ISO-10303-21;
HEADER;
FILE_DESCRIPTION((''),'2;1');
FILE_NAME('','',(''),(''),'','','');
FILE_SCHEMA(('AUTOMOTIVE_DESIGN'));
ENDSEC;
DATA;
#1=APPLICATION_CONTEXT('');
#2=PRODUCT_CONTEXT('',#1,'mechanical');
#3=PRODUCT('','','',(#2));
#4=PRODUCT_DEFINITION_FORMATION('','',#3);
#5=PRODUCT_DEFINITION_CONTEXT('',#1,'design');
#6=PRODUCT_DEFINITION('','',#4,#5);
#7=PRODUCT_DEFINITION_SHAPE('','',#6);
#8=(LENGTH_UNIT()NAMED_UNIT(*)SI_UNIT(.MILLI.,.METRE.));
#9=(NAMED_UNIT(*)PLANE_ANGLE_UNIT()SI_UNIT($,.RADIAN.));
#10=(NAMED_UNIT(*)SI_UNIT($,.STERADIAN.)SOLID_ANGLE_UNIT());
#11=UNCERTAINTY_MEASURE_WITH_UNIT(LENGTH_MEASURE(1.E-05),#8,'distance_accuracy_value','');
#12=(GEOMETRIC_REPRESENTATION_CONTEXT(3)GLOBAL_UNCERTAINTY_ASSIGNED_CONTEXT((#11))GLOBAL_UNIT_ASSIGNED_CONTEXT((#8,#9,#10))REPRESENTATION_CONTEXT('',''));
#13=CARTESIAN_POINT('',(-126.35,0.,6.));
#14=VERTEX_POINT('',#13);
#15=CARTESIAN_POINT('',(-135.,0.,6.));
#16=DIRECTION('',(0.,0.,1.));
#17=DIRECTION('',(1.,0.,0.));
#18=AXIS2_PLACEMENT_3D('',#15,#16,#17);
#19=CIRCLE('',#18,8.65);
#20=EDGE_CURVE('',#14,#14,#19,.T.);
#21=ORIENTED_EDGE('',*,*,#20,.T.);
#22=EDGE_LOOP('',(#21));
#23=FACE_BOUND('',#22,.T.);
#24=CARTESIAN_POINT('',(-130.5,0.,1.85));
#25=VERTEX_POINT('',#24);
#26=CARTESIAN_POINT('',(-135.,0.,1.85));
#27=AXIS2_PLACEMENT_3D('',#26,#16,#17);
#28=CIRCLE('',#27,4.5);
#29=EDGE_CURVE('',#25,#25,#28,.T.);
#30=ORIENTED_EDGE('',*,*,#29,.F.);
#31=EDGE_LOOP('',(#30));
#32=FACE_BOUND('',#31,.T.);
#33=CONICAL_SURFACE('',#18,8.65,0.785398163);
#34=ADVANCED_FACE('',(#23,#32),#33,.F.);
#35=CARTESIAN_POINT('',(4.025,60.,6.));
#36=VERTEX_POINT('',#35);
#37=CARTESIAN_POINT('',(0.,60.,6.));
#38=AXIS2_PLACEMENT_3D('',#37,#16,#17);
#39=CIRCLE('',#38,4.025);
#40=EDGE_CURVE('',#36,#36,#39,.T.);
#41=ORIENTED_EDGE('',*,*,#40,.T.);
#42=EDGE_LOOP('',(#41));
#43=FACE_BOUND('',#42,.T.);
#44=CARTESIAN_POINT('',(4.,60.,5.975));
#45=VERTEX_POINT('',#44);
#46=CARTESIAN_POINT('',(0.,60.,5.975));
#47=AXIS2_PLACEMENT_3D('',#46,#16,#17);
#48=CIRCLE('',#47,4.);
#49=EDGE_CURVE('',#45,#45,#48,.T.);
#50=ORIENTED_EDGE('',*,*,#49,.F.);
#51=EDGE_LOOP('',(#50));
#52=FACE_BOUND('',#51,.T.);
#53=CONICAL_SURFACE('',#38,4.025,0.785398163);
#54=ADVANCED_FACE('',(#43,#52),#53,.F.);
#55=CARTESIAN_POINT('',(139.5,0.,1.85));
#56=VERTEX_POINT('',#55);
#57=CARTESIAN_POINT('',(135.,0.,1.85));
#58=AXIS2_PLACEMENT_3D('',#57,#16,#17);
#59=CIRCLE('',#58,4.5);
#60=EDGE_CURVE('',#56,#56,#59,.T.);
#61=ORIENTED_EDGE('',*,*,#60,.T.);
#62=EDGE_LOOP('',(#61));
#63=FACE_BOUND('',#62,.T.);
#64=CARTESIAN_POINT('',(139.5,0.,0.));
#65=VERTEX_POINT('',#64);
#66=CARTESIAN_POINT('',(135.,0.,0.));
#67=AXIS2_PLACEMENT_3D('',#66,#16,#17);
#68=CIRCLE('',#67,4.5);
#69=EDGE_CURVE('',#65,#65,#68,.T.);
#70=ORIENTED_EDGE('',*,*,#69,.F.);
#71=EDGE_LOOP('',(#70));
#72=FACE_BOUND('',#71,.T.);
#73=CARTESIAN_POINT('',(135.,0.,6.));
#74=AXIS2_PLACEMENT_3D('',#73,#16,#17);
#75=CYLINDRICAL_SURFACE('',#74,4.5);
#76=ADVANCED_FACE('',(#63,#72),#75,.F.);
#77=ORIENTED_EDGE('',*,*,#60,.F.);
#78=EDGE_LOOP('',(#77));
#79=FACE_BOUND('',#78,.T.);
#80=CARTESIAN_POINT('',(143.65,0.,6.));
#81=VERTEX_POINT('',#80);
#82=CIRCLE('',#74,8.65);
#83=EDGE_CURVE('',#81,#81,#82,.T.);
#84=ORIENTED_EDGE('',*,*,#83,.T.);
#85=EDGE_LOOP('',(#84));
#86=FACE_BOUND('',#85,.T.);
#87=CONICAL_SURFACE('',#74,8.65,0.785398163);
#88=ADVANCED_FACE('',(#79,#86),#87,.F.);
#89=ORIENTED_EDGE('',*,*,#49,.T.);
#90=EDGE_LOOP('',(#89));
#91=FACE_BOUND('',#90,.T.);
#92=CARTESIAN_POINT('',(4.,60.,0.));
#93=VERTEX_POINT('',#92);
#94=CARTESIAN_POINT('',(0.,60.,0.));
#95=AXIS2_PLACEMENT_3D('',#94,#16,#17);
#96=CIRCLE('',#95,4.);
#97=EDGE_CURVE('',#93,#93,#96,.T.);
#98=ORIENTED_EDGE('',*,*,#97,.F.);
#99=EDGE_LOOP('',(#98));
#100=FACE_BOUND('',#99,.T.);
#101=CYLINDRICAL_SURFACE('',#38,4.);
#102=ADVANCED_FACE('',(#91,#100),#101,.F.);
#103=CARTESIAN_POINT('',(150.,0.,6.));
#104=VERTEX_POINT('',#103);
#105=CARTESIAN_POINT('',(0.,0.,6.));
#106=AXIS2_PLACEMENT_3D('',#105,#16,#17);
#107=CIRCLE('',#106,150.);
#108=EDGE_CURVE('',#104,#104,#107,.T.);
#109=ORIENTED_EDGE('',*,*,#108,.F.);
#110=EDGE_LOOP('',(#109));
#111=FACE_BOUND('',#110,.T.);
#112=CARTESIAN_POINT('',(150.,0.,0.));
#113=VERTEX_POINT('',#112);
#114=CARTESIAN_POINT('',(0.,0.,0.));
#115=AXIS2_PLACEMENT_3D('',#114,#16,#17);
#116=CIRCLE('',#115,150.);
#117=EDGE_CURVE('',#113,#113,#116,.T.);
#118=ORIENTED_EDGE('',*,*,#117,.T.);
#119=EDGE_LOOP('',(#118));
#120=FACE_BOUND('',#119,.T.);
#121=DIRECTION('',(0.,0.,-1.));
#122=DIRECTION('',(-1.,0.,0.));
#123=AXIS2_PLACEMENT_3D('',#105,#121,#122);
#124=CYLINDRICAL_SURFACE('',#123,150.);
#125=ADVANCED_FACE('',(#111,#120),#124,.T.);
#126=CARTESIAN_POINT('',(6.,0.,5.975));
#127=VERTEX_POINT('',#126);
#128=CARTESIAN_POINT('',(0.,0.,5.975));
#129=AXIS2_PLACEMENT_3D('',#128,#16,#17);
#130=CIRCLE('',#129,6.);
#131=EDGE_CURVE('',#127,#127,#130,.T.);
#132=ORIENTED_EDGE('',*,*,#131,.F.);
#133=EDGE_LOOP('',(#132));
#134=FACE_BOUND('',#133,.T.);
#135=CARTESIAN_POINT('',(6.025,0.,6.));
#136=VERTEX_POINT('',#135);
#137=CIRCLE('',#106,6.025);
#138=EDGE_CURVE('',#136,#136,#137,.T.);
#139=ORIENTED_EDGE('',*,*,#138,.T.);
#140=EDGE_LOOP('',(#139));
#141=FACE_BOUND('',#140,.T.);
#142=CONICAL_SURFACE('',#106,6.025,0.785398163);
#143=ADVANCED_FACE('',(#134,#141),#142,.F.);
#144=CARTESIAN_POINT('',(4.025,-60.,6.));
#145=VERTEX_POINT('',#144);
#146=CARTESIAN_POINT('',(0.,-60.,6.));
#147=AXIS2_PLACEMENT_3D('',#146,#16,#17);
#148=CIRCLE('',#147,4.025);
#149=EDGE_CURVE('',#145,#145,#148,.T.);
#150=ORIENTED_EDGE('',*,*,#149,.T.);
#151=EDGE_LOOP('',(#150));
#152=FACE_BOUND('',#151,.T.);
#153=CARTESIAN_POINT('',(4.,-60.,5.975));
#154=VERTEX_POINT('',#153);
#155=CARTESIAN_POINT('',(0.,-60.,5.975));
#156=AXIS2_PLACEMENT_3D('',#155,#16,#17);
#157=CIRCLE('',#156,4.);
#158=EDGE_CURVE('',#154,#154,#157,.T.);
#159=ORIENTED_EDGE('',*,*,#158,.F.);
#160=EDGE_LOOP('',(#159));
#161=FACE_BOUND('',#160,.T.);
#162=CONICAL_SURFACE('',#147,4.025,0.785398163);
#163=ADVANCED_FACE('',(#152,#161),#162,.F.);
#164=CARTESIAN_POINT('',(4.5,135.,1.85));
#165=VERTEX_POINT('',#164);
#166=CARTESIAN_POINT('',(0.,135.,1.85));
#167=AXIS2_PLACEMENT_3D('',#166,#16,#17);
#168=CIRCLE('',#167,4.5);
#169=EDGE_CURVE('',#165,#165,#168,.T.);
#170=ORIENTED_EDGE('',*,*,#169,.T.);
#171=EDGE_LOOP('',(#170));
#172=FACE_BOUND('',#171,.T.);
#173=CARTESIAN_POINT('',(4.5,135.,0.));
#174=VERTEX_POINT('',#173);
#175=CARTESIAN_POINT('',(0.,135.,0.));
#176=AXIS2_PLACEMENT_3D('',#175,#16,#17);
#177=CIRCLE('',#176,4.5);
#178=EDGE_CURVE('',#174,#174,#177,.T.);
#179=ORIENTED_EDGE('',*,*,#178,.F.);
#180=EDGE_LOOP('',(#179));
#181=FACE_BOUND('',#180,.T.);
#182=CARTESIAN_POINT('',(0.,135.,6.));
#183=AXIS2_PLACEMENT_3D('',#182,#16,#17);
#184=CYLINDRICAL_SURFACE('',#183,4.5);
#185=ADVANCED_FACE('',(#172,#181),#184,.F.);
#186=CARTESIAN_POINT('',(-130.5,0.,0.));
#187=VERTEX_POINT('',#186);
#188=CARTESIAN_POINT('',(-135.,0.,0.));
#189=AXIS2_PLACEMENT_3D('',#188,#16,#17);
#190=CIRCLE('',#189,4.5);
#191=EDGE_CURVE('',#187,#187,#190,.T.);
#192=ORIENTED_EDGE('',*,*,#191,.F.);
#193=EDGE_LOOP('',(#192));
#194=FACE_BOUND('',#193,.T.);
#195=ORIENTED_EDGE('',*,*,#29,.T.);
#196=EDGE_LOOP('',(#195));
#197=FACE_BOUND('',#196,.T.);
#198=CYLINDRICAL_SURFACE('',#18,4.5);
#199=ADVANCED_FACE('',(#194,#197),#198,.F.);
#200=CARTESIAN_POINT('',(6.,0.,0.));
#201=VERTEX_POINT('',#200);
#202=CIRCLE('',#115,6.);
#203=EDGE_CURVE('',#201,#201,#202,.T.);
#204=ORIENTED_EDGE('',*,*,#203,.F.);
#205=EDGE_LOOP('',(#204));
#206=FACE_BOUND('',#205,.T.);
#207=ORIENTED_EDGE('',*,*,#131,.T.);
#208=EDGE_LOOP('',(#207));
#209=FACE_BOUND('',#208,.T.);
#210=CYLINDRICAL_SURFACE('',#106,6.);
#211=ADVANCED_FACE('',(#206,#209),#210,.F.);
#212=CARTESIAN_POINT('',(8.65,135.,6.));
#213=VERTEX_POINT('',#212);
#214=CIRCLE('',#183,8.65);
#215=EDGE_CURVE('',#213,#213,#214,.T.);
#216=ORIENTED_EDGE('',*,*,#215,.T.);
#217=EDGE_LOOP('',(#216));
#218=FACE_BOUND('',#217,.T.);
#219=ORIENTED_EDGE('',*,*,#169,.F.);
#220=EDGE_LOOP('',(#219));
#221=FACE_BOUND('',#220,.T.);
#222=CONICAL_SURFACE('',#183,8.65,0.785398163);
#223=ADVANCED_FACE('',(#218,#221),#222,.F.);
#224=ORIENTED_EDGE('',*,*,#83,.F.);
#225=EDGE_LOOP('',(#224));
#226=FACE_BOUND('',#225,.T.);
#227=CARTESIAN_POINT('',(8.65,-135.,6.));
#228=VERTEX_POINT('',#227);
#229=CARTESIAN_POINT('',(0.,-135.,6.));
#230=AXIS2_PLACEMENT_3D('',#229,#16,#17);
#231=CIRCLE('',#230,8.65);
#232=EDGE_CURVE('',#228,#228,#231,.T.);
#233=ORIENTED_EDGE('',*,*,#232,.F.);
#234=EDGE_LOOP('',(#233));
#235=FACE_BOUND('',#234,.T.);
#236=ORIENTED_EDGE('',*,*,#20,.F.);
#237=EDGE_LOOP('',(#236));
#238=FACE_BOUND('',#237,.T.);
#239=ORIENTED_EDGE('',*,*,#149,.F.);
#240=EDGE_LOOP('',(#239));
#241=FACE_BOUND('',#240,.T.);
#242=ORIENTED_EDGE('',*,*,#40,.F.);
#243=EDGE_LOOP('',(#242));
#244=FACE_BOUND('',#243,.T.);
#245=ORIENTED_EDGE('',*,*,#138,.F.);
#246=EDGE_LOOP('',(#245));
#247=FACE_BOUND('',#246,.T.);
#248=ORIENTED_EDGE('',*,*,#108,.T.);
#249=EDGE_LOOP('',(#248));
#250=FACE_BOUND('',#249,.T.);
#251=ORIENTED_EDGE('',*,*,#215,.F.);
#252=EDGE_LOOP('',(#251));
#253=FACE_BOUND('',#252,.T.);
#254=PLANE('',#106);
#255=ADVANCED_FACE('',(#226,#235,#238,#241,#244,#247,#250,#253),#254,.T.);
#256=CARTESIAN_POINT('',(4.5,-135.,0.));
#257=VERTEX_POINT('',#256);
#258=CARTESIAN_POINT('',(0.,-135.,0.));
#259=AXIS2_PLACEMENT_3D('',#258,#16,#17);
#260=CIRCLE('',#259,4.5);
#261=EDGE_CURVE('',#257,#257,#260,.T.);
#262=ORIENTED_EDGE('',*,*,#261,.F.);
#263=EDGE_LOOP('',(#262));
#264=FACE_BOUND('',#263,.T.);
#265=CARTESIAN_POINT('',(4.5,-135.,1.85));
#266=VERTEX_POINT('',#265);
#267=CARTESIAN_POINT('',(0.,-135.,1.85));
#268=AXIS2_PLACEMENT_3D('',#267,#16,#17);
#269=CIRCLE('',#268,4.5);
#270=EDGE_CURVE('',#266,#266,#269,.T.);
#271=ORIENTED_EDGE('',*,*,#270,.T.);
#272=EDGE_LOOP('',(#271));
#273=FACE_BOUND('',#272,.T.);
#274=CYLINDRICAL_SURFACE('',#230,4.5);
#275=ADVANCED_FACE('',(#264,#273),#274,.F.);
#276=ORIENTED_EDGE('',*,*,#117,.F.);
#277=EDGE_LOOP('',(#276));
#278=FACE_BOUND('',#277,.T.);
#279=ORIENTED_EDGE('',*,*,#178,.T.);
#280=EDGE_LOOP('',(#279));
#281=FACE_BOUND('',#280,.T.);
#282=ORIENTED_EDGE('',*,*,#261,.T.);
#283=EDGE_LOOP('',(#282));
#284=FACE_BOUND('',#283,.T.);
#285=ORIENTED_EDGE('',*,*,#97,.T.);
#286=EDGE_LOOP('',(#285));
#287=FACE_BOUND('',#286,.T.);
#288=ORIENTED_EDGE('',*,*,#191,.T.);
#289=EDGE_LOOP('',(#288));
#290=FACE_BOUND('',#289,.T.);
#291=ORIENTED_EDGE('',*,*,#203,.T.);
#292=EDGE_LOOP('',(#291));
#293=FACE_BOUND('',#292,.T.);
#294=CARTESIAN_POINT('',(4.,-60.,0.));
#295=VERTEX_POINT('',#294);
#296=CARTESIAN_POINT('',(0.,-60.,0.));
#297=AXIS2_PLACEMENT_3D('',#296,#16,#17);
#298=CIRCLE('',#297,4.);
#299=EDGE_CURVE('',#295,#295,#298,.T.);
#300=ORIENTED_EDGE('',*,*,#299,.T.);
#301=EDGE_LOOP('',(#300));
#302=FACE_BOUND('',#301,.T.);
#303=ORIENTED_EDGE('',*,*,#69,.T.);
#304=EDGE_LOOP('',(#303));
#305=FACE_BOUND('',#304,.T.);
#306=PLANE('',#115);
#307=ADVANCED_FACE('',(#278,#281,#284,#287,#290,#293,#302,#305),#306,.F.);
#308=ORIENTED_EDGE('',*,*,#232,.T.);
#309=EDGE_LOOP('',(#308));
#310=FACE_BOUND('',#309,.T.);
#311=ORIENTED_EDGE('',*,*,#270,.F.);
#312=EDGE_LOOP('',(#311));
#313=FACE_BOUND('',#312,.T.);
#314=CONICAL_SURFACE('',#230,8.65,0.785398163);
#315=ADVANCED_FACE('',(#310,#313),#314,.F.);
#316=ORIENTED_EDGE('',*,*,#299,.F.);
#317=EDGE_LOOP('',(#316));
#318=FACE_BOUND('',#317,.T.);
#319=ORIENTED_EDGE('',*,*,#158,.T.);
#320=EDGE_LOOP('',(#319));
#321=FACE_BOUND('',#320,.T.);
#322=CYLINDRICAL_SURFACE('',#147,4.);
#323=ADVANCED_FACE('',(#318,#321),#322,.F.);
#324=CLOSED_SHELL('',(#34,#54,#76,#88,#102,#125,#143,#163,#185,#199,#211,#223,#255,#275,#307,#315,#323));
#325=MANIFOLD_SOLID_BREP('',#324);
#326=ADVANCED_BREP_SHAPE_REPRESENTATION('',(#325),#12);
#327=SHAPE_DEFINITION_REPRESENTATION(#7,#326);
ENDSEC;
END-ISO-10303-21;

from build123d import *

# Parameters (mm, degrees)
SZKIC1_R                                    = 150
DODANIE_WYCI_GNI_CIE1_DEPTH                 = 6
OTWORY_USTALAJ_CE_8_0MM1_D                  = 8
OTWORY_USTALAJ_CE_8_0MM1_CSINK_D            = 8.05
OTWORY_USTALAJ_CE_8_0MM1_CSINK_ANGLE        = 90
POG_BIENIE_STO_KOWE_POD_M8_WKR_T_DO_2_COUNT = 2
POG_BIENIE_STO_KOWE_POD_M8_WKR_T_DO_2_PITCH = 190.91883092
POG_BIENIE_STO_KOWE_POD_M8_WKR_T_DO_3_COUNT = 2
POG_BIENIE_STO_KOWE_POD_M8_WKR_T_DO_3_PITCH = 270
POG_BIENIE_STO_KOWE_POD_M8_WKR_T_DO_4_COUNT = 2
POG_BIENIE_STO_KOWE_POD_M8_WKR_T_DO_4_PITCH = 190.91883092


with BuildPart() as part:
    # Szkic1 → Dodanie-wyciągnięcie1 (new body)
    with BuildSketch(Plane.XY):
        Circle(SZKIC1_R)
    extrude(amount=DODANIE_WYCI_GNI_CIE1_DEPTH)

    # Otwory ustalające Ø8.0mm1 (through all)
    with Locations(Plane.XY.offset(6)):
        with Locations((0, 60), (0, -60)):
            CounterSinkHole(OTWORY_USTALAJ_CE_8_0MM1_D / 2, OTWORY_USTALAJ_CE_8_0MM1_CSINK_D / 2, counter_sink_angle=OTWORY_USTALAJ_CE_8_0MM1_CSINK_ANGLE)

    # Szkic6 → Otwory ustalające Ø12.0mm1 (revolve, cut)
    with BuildSketch(Plane(origin=(0, 0, 6), x_dir=(0, -1, 0), z_dir=(1, 0, 0))):
        Polygon((0, 0), (0, 6), (6, 6), (6, 0.025), (6.025, 0), align=None)
    revolve(axis=Axis((0, 0, 12.35), (0, 0, -1)), mode=Mode.SUBTRACT)

    # Szkic10 → Pogłębienie stożkowe pod M8 wkręt do części metalowych z łbem soczewkowym1 (revolve, cut)
    with BuildSketch(Plane(origin=(0, 135, 6), x_dir=(0, -1, 0), z_dir=(1, 0, 0))):
        Polygon((0, 0), (0, 6), (4.5, 6), (4.5, 4.15), (8.65, 0), align=None)
    pog_bienie_sto_kowe_pod_m8_wkr_t_do_cz_c = revolve(axis=Axis((0, 135, 12.35), (0, 0, -1)), mode=Mode.SUBTRACT)

    # Pog_bienie sto_kowe pod M8 wkr_t do  2: Pogłębienie stożkowe pod M8 wkręt do części metalowych z łbem soczewkowym1 ×2
    with Locations(*[Vector(0.7071067811865674, -0.7071067811865276, 0) * (i * POG_BIENIE_STO_KOWE_POD_M8_WKR_T_DO_2_PITCH) for i in range(1, POG_BIENIE_STO_KOWE_POD_M8_WKR_T_DO_2_COUNT)]):
        add(pog_bienie_sto_kowe_pod_m8_wkr_t_do_cz_c, mode=Mode.SUBTRACT)

    # Pog_bienie sto_kowe pod M8 wkr_t do  3: Pogłębienie stożkowe pod M8 wkręt do części metalowych z łbem soczewkowym1 ×2
    with Locations(*[(0, -i * POG_BIENIE_STO_KOWE_POD_M8_WKR_T_DO_3_PITCH, 0) for i in range(1, POG_BIENIE_STO_KOWE_POD_M8_WKR_T_DO_3_COUNT)]):
        add(pog_bienie_sto_kowe_pod_m8_wkr_t_do_cz_c, mode=Mode.SUBTRACT)

    # Pog_bienie sto_kowe pod M8 wkr_t do  4: Pogłębienie stożkowe pod M8 wkręt do części metalowych z łbem soczewkowym1 ×2
    with Locations(*[Vector(-0.7071067811865277, -0.7071067811865674, 0) * (i * POG_BIENIE_STO_KOWE_POD_M8_WKR_T_DO_4_PITCH) for i in range(1, POG_BIENIE_STO_KOWE_POD_M8_WKR_T_DO_4_COUNT)]):
        add(pog_bienie_sto_kowe_pod_m8_wkr_t_do_cz_c, mode=Mode.SUBTRACT)


solid = part.part
